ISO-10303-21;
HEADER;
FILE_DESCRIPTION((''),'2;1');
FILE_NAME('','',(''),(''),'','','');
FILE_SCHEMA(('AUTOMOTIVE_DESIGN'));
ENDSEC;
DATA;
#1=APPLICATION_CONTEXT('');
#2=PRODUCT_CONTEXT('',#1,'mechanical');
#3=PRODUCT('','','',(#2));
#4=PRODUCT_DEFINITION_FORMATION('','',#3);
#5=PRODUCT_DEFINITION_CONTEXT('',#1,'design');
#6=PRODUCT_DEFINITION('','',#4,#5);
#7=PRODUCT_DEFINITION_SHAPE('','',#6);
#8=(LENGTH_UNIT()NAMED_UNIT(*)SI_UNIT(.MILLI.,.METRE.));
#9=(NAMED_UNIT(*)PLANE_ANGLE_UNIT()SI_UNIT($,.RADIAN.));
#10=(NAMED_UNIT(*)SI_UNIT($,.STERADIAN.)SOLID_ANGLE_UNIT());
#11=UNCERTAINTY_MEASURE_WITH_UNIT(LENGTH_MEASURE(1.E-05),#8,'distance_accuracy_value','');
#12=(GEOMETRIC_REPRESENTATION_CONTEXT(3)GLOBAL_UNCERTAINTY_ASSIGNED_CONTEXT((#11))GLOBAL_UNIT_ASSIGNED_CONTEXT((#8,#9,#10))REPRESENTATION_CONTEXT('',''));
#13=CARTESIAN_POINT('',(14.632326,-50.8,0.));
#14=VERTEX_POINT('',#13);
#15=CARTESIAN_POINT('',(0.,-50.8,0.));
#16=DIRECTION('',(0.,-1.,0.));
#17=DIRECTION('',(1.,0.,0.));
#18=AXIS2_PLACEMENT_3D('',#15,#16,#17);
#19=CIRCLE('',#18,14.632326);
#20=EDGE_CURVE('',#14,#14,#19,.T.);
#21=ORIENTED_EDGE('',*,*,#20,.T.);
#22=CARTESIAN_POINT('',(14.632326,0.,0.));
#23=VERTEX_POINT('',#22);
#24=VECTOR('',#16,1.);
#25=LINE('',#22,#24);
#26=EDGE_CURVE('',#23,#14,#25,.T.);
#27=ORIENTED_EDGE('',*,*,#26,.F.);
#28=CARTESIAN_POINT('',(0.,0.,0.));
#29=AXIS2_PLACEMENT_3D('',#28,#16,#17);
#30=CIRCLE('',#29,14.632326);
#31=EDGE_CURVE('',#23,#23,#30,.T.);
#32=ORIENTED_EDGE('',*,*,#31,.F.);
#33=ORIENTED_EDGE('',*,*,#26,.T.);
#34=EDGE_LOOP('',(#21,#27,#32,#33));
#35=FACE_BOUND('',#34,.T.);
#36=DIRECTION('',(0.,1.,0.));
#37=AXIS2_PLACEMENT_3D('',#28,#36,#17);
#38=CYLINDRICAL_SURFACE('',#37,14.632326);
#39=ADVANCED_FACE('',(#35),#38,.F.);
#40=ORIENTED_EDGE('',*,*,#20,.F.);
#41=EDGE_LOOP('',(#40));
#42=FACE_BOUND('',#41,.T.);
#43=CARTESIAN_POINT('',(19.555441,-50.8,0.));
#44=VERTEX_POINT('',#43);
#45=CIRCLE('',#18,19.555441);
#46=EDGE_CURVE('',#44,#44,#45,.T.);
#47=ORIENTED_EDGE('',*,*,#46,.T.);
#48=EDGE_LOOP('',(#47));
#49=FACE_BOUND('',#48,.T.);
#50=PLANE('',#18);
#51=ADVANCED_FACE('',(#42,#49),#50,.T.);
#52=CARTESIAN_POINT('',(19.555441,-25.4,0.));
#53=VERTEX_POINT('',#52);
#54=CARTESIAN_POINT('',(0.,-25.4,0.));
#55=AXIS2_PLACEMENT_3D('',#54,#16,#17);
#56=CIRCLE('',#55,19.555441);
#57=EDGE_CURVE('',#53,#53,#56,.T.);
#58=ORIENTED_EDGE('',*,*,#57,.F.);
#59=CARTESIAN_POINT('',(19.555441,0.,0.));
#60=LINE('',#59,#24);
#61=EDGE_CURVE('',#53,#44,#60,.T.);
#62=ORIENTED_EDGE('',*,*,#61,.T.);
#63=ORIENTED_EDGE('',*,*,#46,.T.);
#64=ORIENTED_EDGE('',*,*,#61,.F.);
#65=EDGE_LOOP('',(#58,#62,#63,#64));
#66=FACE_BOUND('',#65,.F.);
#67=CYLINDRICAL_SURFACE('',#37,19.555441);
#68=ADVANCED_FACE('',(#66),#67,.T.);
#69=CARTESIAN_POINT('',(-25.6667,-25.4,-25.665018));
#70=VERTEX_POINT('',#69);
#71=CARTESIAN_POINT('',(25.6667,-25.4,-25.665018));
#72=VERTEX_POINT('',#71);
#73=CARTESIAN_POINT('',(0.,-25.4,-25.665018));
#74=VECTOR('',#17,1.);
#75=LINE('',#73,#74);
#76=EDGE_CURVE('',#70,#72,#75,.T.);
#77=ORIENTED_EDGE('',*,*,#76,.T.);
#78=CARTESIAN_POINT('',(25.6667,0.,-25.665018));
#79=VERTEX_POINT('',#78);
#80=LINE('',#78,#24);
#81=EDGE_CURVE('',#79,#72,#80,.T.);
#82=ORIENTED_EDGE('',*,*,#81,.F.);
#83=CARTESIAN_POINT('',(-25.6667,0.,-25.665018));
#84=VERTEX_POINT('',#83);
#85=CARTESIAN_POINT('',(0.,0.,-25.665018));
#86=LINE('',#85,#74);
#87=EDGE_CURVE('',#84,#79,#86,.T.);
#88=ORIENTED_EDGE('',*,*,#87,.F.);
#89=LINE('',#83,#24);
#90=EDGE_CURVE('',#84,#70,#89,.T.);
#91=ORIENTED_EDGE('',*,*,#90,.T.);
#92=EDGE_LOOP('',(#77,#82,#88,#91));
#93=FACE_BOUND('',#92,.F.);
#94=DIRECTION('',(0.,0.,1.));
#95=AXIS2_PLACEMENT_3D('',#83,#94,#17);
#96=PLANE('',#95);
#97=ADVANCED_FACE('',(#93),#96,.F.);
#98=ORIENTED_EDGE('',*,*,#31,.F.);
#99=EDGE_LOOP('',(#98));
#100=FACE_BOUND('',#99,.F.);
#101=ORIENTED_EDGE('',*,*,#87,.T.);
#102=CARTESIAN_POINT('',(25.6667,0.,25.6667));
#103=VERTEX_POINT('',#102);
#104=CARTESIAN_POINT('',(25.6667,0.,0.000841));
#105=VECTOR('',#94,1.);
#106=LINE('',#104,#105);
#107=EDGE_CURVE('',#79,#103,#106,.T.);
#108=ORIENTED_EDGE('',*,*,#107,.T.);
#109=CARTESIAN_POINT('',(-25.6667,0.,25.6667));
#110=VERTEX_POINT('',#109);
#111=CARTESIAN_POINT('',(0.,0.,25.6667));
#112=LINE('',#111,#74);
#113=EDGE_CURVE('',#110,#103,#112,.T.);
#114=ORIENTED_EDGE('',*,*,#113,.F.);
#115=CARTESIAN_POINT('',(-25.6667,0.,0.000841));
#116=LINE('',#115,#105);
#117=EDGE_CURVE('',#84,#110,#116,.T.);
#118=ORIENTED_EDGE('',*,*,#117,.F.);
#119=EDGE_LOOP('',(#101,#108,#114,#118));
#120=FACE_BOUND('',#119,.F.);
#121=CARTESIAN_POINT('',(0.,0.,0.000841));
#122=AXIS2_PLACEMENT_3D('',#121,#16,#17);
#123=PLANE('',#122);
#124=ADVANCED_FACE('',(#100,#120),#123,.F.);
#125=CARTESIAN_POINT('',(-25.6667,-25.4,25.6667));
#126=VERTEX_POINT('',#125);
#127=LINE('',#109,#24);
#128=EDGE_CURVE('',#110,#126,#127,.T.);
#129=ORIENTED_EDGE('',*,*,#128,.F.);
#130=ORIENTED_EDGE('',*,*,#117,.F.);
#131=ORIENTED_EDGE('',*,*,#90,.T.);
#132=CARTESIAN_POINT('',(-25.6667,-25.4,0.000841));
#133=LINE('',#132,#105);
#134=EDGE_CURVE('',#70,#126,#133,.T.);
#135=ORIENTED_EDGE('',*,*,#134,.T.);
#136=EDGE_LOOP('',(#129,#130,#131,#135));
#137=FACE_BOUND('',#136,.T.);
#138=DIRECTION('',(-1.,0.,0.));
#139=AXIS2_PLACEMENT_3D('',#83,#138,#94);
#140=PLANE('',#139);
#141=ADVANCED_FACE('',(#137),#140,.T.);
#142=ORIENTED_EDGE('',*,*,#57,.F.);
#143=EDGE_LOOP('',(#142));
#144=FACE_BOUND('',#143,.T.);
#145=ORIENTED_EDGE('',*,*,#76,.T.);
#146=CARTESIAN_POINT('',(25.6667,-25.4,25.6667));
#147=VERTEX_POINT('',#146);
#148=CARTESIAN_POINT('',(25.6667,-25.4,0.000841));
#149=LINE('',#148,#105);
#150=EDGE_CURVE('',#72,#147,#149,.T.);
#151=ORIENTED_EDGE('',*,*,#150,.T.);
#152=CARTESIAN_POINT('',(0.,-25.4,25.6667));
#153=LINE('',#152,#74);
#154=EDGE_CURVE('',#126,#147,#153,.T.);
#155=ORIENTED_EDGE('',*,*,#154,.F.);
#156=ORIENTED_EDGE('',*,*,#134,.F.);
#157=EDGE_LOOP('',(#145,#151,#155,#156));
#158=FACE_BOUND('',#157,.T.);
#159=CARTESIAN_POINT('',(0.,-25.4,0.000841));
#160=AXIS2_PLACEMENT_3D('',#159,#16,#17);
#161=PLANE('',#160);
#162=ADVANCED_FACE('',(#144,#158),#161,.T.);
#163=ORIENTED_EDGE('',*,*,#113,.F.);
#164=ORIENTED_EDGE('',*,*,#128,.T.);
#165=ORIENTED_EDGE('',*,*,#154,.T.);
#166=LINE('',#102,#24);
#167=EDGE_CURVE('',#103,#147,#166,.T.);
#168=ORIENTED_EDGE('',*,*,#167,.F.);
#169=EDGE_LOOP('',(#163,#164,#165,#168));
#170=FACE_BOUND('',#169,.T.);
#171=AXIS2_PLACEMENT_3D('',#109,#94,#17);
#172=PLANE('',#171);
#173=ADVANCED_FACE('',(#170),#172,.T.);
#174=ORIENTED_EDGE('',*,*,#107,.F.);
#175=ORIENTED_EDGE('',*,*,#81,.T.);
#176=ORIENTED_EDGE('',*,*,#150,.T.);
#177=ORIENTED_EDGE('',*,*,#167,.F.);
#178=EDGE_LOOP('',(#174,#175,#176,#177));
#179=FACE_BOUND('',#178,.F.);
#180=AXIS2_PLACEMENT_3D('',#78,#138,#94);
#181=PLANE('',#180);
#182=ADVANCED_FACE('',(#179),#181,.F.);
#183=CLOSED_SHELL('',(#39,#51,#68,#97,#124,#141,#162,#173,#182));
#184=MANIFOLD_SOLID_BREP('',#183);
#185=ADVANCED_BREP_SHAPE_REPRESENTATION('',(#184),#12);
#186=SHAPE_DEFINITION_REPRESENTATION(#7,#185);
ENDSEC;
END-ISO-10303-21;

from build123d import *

# Parameters (mm, degrees)
F0_W     = 51.3334
F0_H     = 51.331718
F0_R     = 19.555441
F1_DEPTH = 25.4
F0_R_2   = 14.632326
F2_DEPTH = 50.8


with BuildPart() as f1:
    # F0 (on Front) → F1 (new body)
    with BuildSketch(Plane.XZ):
        with Locations((0, 0.000841)):
            Rectangle(F0_W, F0_H)
        Circle(F0_R, mode=Mode.SUBTRACT)
    extrude(amount=F1_DEPTH)

    # F0 (on Front) → F2 (join)
    with BuildSketch(Plane.XZ):
        Circle(F0_R)
        Circle(F0_R_2, mode=Mode.SUBTRACT)
    extrude(amount=F2_DEPTH)


solid = f1.part
